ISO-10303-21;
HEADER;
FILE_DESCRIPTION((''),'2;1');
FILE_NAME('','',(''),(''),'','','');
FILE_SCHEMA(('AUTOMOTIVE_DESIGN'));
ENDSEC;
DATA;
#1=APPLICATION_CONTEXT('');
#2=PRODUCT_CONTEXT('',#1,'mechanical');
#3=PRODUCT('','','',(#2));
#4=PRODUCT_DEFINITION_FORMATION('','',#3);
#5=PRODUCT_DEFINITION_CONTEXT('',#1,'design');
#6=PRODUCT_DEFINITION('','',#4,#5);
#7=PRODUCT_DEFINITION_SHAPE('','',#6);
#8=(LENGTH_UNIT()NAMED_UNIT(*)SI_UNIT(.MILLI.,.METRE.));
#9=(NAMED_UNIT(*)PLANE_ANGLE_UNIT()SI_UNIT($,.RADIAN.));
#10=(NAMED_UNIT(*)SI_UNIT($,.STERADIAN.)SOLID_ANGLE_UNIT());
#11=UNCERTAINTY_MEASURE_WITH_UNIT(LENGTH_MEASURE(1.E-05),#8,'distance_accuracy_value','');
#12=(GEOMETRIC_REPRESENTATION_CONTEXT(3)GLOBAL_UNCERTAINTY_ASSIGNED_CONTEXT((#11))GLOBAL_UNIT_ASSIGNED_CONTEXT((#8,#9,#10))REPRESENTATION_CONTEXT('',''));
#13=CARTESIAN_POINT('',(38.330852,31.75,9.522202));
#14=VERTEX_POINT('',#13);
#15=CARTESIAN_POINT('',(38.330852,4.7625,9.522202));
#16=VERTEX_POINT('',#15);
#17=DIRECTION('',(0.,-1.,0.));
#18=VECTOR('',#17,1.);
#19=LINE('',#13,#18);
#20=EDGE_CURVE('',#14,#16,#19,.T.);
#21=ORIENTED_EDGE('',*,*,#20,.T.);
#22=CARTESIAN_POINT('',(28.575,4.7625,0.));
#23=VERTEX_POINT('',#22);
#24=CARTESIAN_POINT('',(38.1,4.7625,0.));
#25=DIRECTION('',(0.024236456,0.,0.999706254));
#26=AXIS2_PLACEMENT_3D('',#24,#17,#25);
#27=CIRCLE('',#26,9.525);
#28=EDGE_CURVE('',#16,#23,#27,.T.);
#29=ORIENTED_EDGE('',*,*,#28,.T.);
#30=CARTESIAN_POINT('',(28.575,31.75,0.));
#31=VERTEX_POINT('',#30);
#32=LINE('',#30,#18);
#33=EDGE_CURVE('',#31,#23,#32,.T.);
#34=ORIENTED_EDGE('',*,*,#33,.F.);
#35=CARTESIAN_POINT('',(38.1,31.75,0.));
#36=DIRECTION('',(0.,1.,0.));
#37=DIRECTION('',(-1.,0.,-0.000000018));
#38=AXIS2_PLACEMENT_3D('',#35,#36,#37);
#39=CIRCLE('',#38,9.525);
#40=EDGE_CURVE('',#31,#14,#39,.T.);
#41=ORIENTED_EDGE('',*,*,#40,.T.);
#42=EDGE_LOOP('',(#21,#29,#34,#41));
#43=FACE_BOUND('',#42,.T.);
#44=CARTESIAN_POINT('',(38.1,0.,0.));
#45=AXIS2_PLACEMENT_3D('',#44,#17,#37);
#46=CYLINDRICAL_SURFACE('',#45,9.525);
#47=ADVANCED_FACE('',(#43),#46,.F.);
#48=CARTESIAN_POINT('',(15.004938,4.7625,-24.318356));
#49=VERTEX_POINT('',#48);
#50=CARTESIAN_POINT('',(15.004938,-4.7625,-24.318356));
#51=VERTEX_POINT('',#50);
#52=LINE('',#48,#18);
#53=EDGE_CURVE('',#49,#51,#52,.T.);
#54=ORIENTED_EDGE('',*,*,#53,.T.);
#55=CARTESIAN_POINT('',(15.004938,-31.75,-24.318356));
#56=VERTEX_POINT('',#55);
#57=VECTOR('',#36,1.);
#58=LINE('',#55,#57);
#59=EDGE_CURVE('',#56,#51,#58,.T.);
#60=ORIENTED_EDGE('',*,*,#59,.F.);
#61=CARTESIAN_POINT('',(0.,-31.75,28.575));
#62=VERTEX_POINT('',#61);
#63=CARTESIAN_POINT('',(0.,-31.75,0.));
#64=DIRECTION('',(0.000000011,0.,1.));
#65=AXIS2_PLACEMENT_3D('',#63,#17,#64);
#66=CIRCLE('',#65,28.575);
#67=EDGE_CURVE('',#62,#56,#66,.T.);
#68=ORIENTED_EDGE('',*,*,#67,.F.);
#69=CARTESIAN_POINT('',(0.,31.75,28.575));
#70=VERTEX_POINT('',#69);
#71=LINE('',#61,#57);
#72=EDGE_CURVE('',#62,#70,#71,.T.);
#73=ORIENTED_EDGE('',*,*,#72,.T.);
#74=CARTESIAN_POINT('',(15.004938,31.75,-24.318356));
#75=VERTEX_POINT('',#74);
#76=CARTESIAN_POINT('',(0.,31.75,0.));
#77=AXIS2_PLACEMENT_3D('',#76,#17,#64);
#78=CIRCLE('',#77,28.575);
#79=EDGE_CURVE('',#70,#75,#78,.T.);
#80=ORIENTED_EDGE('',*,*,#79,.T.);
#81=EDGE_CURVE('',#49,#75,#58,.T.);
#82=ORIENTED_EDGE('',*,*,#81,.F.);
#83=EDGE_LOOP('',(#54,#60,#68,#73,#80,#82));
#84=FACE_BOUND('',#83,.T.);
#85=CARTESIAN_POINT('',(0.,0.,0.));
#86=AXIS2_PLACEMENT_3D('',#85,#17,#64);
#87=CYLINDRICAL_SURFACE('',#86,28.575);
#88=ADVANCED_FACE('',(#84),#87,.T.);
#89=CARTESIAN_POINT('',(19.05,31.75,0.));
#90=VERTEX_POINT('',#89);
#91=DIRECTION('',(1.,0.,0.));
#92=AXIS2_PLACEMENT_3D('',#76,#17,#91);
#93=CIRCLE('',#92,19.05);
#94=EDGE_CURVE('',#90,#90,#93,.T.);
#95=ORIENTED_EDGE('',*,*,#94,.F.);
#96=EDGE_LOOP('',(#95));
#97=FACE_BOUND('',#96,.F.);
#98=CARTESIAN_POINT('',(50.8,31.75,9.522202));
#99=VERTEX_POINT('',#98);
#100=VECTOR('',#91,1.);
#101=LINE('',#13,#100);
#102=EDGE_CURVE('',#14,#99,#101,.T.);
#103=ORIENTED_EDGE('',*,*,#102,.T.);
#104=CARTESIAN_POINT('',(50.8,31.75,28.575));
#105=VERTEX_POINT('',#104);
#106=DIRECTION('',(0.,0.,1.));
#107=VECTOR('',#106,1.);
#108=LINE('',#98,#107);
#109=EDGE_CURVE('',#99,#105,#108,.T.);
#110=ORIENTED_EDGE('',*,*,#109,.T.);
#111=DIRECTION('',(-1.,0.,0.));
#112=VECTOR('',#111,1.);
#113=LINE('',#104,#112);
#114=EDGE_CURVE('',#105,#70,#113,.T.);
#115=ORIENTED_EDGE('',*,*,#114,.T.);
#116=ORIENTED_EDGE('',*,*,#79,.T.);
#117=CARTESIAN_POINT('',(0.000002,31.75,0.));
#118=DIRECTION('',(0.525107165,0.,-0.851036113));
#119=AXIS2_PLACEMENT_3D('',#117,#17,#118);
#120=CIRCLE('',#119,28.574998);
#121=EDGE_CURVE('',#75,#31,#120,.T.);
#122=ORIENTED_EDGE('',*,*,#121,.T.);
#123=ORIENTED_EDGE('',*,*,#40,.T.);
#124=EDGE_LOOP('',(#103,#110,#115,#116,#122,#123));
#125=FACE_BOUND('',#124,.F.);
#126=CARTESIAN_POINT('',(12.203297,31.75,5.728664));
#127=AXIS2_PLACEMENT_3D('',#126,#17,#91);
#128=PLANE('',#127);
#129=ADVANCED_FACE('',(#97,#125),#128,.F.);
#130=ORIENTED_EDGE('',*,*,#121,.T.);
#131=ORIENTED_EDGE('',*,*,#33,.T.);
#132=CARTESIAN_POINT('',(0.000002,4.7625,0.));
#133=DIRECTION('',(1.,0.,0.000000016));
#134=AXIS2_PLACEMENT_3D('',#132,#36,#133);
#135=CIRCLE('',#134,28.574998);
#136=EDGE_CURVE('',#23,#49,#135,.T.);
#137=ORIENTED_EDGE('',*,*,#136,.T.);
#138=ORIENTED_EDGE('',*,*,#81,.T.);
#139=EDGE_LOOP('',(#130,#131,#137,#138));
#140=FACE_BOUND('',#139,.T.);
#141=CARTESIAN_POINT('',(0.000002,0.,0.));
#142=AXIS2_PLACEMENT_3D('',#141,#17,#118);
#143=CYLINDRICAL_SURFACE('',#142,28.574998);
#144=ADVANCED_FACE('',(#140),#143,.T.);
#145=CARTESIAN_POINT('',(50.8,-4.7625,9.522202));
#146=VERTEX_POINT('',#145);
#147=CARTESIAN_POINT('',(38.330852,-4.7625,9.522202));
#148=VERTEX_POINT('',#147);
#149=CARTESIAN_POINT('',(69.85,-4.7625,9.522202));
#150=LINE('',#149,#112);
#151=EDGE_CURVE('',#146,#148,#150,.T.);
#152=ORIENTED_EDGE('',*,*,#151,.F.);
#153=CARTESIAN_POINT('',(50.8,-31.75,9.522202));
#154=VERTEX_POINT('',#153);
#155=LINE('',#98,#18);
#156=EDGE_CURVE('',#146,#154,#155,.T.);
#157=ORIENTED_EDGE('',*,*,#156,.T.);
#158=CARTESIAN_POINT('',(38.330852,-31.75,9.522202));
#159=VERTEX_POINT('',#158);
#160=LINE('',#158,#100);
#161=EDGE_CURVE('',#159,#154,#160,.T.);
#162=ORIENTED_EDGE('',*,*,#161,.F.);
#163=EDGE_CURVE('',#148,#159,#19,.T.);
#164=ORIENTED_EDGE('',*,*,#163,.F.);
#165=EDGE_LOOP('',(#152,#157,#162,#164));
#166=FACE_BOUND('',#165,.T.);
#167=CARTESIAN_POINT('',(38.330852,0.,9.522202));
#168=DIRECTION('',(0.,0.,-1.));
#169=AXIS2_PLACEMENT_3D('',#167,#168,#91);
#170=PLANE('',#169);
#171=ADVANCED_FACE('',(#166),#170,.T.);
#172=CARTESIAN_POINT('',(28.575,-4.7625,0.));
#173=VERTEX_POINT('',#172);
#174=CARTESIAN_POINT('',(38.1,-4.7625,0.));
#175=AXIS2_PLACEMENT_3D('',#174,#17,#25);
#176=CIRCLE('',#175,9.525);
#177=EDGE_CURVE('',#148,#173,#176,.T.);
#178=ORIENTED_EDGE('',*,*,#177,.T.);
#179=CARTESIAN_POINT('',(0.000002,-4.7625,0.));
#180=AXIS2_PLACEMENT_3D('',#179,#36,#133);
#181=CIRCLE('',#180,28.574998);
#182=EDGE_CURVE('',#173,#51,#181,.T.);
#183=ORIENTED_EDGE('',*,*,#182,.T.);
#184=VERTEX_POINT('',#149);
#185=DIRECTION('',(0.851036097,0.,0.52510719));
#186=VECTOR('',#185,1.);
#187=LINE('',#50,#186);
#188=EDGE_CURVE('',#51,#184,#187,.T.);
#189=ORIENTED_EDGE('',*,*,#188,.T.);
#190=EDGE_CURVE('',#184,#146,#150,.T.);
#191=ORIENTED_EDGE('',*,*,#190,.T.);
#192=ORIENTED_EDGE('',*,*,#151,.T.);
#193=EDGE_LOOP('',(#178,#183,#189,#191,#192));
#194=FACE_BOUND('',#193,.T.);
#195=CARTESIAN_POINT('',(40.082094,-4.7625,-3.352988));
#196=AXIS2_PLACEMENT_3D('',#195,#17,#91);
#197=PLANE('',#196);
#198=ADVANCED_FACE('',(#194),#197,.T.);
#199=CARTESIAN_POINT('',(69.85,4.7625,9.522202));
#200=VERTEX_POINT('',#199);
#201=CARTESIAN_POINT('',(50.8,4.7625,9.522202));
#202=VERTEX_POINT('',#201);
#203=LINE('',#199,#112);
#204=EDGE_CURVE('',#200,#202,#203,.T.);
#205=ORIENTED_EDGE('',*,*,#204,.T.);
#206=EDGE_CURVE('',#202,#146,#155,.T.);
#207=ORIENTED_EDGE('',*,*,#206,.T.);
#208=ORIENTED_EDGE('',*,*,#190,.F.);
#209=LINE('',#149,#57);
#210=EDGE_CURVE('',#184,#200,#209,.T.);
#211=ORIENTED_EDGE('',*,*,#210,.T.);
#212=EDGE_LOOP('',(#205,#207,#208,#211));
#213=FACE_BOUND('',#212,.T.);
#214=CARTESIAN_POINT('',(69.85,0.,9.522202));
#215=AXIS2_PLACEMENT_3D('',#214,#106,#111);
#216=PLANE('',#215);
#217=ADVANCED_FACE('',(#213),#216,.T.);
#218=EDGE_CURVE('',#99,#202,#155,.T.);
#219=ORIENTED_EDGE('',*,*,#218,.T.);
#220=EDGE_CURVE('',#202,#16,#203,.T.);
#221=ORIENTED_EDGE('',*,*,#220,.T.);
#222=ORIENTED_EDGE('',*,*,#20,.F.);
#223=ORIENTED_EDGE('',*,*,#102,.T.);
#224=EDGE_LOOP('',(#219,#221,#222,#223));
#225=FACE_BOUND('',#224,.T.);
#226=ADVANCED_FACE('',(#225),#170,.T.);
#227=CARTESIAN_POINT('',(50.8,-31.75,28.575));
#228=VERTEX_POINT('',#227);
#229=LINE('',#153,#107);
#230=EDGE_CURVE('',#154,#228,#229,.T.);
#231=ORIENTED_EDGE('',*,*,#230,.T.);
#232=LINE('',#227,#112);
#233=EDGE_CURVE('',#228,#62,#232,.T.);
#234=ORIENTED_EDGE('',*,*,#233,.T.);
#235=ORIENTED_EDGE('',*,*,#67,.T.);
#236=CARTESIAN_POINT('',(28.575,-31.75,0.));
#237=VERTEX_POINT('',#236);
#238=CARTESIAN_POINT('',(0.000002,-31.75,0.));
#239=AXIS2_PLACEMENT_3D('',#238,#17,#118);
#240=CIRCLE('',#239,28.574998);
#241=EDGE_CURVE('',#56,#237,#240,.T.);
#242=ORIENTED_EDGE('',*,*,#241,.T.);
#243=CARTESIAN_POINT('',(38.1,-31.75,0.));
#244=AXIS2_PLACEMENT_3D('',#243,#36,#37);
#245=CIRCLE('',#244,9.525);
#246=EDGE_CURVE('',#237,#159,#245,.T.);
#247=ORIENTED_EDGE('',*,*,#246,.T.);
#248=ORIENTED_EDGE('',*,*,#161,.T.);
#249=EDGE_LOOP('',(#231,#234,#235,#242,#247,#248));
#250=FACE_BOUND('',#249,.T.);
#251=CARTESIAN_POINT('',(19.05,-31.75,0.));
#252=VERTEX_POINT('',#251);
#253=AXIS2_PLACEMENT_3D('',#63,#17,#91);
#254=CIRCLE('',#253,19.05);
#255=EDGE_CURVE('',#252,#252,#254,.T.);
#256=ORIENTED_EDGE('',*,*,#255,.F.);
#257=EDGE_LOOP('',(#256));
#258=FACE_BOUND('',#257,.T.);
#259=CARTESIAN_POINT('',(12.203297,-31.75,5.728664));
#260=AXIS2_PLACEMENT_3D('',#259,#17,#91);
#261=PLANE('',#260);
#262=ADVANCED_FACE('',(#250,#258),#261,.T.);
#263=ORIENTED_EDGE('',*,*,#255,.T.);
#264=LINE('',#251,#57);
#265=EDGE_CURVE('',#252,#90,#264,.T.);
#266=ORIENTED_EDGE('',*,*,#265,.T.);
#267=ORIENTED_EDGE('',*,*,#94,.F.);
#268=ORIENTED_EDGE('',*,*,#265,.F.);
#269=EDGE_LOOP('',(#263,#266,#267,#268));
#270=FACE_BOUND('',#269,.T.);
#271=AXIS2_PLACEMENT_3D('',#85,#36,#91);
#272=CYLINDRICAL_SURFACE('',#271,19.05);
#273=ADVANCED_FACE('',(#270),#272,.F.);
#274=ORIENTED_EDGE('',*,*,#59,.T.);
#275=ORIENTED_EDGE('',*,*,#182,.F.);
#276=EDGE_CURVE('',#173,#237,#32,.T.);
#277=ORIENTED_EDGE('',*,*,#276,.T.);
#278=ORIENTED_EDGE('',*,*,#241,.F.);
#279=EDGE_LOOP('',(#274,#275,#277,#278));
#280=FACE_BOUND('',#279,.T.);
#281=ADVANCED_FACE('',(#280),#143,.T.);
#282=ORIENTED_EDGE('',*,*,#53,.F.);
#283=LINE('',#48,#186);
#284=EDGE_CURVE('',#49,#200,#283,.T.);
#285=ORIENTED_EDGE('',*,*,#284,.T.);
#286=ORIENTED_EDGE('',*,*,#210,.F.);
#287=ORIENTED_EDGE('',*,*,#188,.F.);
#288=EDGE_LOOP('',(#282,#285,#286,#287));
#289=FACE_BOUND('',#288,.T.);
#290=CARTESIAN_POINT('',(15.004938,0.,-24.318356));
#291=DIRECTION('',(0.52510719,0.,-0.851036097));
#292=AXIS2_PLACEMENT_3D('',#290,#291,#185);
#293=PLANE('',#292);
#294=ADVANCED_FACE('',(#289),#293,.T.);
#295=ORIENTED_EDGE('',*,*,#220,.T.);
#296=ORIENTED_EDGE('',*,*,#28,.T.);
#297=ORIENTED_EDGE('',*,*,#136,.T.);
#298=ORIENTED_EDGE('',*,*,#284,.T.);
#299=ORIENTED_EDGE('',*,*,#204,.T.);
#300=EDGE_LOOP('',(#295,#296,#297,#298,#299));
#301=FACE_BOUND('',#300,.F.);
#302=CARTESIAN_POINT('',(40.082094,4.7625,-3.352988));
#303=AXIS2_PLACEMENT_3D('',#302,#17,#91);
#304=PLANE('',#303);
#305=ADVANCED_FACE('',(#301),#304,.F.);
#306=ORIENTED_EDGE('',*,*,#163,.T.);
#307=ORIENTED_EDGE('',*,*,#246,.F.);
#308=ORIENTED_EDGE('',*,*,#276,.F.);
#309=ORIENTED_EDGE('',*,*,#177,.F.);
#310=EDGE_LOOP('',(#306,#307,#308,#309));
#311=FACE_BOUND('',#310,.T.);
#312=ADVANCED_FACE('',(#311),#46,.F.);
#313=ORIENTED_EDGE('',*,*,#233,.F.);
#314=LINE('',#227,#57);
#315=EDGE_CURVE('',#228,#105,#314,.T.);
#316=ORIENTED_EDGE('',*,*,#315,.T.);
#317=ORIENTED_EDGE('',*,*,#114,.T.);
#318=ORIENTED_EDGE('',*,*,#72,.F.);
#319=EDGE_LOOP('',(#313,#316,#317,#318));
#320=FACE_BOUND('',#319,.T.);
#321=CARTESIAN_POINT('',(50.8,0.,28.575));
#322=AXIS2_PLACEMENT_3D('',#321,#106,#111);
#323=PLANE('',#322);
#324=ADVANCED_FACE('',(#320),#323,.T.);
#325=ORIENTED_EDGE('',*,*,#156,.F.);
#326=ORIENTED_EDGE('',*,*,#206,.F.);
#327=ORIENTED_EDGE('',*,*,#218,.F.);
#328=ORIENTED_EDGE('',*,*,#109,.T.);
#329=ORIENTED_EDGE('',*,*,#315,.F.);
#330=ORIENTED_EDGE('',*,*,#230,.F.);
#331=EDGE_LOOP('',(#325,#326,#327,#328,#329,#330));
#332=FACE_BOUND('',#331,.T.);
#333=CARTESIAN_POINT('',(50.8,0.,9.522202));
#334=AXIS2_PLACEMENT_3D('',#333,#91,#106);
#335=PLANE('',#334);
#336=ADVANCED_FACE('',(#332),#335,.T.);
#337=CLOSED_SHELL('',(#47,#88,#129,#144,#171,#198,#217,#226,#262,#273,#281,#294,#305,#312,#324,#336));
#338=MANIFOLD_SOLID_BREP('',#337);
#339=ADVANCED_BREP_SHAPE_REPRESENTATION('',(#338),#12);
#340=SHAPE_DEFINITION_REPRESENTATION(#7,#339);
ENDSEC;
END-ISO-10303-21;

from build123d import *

# Parameters (mm, degrees)
F0_R     = 19.05
F1_DEPTH = 31.75
F2_DEPTH = 4.7625


with BuildPart() as f1:
    # F0 (on Front) → F1 (new body, symmetric)
    with BuildSketch(Plane.XZ):
        with BuildLine():
            ThreePointArc((15.004938, -24.318356), (24.952923, -13.924161), (28.575, 0))
            ThreePointArc((28.575, 0), (31.446927, 6.816322), (38.330852, 9.522202))
            Line((38.330852, 9.522202), (50.8, 9.522202))
            Line((50.8, 9.522202), (50.8, 28.575))
            Line((50.8, 28.575), (0, 28.575))
            ThreePointArc((0, 28.575), (-27.49025, -7.798512), (15.004938, -24.318356))
        make_face()
        Circle(F0_R, mode=Mode.SUBTRACT)
    extrude(amount=F1_DEPTH, both=True)

    # F0 (on Front) → F2 (join, symmetric)
    with BuildSketch(Plane.XZ):
        with BuildLine():
            ThreePointArc((38.330852, 9.522202), (31.446927, 6.816322), (28.575, 0))
            ThreePointArc((28.575, 0), (24.952923, -13.924161), (15.004938, -24.318356))
            Line((15.004938, -24.318356), (69.85, 9.522202))
            Line((69.85, 9.522202), (50.8, 9.522202))
            Line((50.8, 9.522202), (38.330852, 9.522202))
        make_face()
    extrude(amount=F2_DEPTH, both=True)


solid = f1.part
